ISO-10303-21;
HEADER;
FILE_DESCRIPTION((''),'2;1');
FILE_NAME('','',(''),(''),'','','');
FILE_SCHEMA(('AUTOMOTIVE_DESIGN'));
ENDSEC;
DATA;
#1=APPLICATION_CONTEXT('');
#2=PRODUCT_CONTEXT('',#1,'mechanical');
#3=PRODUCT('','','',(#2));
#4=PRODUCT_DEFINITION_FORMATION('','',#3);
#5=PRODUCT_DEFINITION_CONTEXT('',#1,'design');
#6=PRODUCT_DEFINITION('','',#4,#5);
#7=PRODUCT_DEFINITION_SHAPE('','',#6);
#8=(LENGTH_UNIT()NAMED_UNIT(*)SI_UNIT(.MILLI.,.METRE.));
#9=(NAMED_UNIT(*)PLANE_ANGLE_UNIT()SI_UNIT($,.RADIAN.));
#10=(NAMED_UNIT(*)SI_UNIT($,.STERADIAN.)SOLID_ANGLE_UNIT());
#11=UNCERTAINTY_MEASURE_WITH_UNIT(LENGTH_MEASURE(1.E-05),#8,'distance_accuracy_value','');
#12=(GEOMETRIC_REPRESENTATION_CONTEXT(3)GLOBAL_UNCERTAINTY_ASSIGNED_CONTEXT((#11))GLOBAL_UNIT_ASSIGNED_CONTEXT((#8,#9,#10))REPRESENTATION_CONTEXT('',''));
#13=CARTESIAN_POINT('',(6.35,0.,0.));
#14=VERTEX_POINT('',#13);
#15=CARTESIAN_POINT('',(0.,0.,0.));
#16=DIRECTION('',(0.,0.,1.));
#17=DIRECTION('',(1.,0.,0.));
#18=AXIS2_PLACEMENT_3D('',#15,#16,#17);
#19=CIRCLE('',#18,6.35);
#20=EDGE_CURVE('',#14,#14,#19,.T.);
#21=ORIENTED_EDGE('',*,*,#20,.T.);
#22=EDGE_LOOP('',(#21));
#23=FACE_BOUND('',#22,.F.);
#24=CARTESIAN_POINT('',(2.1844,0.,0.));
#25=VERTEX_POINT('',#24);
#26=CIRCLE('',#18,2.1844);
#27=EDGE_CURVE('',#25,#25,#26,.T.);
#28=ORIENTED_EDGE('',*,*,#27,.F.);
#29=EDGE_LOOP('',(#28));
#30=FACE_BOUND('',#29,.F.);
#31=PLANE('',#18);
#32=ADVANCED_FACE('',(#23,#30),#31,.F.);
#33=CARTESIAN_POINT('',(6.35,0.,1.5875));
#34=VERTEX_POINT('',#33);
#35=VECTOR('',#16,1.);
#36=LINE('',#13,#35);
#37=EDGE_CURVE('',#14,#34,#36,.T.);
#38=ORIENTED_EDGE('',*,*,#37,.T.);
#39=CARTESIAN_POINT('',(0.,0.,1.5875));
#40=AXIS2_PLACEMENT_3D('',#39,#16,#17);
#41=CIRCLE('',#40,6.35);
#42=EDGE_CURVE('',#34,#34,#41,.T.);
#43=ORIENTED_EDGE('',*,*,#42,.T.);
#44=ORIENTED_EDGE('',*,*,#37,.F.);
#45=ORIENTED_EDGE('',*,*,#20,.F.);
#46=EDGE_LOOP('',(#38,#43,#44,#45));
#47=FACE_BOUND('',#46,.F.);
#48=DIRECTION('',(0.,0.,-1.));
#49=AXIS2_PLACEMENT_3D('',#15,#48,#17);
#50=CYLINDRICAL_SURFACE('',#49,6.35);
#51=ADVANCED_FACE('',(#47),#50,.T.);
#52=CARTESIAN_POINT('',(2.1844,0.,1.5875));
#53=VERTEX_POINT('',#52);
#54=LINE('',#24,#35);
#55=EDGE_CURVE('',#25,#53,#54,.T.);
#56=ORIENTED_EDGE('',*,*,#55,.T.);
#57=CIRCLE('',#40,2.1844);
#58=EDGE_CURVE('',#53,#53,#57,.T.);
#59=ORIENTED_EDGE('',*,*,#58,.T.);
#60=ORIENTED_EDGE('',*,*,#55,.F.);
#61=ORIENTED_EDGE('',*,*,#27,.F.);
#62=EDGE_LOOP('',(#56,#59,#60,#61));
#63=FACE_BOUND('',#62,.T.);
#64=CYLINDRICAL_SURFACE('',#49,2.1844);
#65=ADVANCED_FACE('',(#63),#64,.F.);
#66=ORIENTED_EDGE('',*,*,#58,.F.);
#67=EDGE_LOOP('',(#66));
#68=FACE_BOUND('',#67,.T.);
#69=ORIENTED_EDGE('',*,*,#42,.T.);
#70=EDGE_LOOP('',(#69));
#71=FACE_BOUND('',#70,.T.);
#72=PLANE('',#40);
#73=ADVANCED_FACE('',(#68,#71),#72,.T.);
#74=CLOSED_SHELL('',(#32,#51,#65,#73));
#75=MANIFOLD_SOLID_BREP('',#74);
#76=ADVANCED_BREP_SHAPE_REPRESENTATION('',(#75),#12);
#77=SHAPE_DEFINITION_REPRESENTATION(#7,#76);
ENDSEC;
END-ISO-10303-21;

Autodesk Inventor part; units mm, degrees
ref_plane "YZ Plane" through (0, 0, 0) normal (1, 0, 0) x (0, 1, 0)
ref_plane "XZ Plane" through (0, 0, 0) normal (0, 1, 0) x (-1, 0, 0)
ref_plane "XY Plane" through (0, 0, 0) normal (0, 0, 1) x (1, 0, 0)
sketch "Sketch1" plane through (0, 0, 0) normal (0, 0, 1) x (1, 0, 0)
  circle A0 centre (0, 0) radius 2.1844
  circle A1 centre (0, 0) radius 6.35
  dimension "d0" = 4.3688
extrude "Extrusion1" add sketch "Sketch1" along normal blind 1.5875
properties part number "DWasher .500 OD x .062500" material "Acetal Resin, Black"
